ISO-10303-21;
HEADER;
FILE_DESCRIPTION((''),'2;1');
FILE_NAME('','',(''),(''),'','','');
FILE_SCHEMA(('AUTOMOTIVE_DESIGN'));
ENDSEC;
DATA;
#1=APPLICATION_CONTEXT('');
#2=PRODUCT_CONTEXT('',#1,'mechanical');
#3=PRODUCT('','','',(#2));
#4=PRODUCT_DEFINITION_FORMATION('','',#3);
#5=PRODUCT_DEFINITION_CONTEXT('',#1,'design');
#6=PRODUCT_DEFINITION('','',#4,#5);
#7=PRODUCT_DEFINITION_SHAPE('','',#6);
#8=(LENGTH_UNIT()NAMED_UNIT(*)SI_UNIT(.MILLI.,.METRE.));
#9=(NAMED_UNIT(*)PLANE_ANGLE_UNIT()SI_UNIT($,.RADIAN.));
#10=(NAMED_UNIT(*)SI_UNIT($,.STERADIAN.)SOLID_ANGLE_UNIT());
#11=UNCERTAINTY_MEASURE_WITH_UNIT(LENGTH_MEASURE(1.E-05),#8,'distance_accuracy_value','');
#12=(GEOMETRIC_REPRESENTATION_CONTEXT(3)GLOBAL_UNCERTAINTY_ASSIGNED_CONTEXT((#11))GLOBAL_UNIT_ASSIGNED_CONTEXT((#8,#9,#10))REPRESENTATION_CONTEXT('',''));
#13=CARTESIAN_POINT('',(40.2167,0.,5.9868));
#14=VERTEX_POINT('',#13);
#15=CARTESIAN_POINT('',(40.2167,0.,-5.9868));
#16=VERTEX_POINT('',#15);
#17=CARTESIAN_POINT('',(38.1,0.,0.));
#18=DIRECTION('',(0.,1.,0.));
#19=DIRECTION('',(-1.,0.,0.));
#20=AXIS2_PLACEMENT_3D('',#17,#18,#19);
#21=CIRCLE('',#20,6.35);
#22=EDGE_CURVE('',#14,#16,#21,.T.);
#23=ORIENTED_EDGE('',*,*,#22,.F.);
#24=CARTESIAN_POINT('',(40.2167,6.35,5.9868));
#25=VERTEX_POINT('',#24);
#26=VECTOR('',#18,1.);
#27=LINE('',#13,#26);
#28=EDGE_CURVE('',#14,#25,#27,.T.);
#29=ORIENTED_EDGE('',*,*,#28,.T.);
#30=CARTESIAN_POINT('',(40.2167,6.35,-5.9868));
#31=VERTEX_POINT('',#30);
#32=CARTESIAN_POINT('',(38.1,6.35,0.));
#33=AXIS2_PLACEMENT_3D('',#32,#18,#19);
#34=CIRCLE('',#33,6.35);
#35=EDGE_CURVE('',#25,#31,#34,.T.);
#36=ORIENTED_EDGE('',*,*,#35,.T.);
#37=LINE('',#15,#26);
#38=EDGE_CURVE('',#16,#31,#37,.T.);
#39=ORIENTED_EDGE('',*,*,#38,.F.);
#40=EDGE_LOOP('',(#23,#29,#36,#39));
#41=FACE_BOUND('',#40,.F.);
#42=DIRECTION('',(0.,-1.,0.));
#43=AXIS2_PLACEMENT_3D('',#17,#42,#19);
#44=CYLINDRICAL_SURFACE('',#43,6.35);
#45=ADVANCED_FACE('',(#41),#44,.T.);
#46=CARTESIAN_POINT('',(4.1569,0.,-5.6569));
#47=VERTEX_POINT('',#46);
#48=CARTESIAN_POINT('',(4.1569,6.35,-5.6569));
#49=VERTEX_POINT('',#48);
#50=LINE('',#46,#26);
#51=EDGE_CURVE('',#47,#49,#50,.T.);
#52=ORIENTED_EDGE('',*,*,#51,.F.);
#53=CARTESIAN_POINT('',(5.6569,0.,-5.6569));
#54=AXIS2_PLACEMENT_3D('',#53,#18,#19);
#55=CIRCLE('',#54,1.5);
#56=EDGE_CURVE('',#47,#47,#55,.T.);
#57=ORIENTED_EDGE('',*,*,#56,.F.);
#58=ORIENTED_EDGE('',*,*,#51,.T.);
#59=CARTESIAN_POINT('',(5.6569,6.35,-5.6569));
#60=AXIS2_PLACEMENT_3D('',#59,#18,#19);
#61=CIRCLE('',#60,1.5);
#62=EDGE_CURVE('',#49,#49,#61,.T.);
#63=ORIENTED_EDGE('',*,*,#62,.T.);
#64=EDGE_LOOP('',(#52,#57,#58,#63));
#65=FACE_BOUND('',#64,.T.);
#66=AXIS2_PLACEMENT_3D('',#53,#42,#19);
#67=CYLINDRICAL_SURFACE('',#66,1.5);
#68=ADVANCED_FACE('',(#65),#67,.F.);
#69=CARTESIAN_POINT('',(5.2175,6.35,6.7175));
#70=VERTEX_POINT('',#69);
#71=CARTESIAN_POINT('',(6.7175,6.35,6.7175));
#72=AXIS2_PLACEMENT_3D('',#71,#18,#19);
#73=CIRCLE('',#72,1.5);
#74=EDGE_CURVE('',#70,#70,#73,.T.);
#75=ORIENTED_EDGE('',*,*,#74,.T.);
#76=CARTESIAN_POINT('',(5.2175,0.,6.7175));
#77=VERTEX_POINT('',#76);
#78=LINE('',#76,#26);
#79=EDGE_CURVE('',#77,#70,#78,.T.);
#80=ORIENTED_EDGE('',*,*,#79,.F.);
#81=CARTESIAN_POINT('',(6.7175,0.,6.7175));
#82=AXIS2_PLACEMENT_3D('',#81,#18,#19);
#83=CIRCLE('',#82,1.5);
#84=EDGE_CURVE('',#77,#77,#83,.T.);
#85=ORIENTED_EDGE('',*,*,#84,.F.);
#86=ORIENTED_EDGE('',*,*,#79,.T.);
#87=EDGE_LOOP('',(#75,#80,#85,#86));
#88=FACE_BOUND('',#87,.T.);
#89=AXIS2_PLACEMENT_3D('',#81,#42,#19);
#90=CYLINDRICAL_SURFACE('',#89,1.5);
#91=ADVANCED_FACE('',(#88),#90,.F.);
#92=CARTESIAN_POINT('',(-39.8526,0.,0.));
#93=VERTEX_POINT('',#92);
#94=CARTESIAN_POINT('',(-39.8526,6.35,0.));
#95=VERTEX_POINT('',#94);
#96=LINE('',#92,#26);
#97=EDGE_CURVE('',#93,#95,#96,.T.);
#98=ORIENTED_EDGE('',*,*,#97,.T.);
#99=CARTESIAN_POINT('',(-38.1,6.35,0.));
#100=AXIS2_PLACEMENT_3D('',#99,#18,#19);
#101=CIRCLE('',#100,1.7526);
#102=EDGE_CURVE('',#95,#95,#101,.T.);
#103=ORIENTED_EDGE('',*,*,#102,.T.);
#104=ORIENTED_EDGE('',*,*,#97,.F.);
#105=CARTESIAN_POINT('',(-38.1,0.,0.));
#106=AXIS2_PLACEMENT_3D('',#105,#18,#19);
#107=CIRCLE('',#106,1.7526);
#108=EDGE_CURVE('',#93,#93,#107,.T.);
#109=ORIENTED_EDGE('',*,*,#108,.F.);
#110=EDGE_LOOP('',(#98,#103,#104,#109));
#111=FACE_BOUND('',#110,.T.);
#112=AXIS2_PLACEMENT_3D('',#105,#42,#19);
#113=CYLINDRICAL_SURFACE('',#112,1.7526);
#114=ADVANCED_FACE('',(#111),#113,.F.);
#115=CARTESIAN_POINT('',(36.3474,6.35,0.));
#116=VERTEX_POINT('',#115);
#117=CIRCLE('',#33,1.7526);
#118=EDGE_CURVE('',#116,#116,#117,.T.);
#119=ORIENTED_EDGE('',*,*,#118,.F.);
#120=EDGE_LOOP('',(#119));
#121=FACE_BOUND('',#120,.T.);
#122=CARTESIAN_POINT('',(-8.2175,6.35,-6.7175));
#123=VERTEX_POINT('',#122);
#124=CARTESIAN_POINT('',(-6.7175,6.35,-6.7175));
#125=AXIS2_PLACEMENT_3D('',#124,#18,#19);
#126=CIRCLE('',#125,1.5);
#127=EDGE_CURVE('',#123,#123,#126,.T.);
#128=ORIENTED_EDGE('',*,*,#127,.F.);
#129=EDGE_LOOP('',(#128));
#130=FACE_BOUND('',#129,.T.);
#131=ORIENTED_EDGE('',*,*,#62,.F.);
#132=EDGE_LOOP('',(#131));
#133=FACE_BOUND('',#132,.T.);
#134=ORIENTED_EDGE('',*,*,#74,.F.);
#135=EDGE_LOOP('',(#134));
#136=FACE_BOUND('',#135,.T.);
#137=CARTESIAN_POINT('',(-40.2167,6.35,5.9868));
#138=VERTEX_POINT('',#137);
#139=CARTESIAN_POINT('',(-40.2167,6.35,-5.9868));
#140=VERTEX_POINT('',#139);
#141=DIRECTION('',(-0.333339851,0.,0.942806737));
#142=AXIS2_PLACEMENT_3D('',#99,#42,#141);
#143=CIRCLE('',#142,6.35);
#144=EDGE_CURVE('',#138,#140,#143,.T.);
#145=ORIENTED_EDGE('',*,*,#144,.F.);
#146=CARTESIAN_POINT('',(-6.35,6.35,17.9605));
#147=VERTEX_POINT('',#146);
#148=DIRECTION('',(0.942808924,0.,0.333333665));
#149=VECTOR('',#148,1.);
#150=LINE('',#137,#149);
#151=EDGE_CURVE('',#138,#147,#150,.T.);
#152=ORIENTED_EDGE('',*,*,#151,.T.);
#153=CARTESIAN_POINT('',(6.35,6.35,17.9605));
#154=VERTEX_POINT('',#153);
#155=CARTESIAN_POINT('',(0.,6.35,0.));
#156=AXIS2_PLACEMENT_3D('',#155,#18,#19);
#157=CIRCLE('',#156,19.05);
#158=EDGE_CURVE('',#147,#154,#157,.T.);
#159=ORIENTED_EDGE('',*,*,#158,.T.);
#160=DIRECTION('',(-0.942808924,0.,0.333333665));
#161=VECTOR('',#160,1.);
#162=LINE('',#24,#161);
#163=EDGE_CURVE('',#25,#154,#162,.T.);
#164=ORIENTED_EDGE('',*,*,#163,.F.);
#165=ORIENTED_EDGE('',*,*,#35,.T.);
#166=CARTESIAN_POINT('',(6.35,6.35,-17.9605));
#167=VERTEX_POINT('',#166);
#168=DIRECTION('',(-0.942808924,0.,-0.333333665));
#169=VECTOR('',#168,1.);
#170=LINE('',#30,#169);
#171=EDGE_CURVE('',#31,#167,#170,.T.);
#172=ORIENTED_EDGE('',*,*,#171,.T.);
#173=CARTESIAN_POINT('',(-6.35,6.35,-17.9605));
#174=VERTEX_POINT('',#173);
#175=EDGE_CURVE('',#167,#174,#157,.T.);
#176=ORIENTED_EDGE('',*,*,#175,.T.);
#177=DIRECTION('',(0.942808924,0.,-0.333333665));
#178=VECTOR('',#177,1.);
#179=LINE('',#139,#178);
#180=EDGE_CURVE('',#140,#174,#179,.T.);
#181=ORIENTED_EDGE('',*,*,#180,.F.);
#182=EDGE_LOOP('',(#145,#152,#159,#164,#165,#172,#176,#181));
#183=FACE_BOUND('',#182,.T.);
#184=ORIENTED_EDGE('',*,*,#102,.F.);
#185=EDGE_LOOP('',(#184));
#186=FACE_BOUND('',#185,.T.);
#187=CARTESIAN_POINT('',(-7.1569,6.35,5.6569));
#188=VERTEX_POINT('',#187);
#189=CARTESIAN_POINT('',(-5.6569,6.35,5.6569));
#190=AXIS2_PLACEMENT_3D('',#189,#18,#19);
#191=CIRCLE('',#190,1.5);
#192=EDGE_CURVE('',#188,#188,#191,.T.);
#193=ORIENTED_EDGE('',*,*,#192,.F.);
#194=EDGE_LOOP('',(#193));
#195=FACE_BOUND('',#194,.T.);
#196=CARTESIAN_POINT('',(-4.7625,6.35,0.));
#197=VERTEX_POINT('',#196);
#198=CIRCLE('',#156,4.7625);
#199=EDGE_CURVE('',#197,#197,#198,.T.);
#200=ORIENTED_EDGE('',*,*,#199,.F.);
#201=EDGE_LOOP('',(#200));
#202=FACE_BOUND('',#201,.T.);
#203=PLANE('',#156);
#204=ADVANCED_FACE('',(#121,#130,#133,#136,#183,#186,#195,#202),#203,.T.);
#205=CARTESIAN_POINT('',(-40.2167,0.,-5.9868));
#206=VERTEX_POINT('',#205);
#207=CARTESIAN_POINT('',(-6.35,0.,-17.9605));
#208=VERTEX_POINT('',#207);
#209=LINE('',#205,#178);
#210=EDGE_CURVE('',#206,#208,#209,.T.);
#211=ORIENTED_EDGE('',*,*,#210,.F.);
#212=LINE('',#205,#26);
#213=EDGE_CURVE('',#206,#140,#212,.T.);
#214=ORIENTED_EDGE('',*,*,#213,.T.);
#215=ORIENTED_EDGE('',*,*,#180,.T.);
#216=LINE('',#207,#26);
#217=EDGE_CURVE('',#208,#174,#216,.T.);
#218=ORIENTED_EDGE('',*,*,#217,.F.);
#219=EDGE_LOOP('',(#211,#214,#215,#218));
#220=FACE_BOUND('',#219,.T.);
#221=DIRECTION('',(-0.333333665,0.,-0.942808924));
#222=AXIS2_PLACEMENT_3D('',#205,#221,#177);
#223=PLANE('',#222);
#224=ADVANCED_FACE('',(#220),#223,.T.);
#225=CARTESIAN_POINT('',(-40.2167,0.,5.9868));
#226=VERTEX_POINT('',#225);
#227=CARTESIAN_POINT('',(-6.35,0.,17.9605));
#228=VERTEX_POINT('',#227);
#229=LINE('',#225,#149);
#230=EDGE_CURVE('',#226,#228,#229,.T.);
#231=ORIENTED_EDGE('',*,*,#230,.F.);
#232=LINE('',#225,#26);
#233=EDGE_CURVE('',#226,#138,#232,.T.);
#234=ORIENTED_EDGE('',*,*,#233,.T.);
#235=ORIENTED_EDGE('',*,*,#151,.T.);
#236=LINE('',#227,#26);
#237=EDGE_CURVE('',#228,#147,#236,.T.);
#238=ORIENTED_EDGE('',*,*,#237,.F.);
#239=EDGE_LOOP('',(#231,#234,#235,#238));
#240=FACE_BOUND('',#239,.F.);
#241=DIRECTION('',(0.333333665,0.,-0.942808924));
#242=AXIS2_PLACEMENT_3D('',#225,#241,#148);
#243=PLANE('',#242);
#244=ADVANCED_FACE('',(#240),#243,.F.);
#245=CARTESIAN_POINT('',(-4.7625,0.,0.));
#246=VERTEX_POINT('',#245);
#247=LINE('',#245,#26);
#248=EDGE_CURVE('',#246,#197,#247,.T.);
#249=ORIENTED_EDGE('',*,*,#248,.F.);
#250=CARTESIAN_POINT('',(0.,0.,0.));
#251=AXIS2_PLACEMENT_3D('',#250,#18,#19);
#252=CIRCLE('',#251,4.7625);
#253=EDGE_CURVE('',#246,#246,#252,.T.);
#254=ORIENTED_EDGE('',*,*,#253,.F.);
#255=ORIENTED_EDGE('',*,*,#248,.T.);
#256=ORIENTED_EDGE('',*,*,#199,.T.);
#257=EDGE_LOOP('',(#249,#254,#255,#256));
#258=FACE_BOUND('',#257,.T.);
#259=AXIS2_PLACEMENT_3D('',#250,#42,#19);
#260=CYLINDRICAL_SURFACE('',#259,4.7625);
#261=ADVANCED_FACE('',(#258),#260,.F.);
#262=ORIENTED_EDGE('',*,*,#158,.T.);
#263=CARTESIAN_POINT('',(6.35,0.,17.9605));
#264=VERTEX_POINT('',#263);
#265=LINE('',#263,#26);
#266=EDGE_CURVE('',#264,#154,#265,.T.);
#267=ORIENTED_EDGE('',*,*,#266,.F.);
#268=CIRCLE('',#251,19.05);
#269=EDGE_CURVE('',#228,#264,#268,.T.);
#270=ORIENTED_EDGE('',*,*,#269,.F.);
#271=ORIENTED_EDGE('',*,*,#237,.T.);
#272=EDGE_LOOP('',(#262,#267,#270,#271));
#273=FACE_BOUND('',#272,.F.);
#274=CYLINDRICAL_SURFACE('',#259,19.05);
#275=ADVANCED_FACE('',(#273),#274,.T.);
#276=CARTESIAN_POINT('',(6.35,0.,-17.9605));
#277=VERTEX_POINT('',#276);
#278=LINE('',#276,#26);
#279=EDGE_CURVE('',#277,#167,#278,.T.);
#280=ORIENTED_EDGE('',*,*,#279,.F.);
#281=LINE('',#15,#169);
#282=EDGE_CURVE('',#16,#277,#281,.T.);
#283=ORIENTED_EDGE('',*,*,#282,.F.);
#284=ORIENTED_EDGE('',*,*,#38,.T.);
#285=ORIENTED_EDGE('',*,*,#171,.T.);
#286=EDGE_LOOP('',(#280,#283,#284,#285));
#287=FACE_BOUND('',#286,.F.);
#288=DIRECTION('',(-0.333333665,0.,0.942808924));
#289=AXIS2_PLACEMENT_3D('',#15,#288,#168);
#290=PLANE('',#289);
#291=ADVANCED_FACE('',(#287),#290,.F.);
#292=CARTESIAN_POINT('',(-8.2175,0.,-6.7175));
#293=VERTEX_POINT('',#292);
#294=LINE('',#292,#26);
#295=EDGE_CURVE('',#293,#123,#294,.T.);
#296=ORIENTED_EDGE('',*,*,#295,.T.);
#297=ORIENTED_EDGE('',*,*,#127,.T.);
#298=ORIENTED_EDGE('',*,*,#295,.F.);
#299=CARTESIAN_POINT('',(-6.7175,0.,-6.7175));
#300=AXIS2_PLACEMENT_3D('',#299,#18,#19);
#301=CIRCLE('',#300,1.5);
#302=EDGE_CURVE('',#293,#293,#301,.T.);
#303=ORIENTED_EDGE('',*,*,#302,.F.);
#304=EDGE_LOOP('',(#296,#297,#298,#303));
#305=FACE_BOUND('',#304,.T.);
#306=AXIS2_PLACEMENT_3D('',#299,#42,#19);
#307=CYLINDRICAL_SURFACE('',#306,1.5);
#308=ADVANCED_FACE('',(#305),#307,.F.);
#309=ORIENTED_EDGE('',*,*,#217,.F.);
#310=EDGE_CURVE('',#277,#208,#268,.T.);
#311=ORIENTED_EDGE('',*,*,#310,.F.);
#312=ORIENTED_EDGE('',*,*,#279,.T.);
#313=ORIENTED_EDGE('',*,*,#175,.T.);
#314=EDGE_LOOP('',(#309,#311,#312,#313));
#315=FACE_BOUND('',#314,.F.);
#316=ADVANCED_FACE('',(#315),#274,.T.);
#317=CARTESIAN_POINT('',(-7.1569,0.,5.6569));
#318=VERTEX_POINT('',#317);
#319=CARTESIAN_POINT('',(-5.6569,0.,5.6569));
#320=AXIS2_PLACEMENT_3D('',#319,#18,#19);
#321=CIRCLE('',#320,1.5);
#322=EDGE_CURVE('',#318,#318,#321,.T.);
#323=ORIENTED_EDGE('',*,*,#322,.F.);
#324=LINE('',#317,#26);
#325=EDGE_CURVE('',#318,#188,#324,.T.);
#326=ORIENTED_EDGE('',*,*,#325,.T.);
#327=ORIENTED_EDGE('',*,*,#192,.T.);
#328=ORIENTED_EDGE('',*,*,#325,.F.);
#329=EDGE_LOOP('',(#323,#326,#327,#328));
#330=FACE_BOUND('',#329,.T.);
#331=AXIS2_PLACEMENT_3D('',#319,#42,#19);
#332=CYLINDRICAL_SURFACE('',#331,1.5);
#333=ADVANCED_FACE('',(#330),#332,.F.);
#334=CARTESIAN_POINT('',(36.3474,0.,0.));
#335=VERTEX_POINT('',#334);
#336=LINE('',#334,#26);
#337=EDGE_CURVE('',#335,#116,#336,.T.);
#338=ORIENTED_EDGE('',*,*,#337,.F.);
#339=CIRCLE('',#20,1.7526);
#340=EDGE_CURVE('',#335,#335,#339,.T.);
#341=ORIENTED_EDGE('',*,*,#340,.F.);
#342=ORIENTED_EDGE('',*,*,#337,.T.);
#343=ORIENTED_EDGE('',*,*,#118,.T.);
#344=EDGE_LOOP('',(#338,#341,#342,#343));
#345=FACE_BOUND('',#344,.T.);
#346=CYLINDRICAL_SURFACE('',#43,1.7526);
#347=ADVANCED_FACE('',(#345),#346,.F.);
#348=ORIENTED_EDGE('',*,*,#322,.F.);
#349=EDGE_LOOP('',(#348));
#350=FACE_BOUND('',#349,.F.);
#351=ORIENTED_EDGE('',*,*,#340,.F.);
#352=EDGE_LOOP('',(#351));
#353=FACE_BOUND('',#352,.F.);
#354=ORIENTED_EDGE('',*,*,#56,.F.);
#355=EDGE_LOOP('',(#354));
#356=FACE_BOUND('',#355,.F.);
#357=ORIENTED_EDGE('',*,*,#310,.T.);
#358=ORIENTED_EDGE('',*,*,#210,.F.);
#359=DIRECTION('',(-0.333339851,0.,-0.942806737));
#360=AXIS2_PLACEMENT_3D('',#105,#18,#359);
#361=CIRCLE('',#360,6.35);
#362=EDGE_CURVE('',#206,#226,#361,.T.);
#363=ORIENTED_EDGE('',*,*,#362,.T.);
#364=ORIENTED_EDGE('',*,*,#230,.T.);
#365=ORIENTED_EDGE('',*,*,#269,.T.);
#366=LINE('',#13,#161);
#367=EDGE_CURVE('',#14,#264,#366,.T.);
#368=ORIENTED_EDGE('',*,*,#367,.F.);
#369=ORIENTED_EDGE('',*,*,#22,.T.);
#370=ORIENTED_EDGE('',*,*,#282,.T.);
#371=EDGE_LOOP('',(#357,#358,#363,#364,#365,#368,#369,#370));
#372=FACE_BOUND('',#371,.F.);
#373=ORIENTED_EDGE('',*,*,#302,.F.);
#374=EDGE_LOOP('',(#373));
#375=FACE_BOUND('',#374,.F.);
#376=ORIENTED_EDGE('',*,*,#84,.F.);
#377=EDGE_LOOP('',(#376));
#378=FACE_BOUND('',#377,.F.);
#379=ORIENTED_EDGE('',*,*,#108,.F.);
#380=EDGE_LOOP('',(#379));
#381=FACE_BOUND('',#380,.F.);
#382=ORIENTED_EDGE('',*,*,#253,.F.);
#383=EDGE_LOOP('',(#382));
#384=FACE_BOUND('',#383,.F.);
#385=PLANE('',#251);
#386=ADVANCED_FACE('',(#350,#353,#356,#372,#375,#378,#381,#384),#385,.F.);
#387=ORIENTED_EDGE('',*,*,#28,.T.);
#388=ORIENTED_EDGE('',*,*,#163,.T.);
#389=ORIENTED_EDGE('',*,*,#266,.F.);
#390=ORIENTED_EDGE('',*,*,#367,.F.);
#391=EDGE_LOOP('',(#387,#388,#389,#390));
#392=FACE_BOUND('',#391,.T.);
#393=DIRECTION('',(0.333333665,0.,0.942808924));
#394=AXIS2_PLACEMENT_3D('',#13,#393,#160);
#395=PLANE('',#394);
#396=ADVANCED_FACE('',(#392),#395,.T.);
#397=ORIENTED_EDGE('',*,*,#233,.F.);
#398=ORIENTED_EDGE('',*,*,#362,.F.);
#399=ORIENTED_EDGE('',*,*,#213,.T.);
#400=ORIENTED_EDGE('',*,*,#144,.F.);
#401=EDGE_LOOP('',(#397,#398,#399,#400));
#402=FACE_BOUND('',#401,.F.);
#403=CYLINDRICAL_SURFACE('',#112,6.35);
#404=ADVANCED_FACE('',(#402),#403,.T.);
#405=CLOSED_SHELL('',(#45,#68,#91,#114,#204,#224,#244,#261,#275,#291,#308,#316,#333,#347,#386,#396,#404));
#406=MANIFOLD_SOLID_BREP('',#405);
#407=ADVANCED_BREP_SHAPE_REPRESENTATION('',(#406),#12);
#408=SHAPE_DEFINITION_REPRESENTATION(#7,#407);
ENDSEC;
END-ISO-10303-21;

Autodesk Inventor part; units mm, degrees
ref_plane "YZ Plane" through (0, 0, 0) normal (1, 0, 0) x (0, 1, 0)
ref_plane "XZ Plane" through (0, 0, 0) normal (0, 1, 0) x (-1, 0, 0)
ref_plane "XY Plane" through (0, 0, 0) normal (0, 0, 1) x (1, 0, 0)
sketch "Sketch1" plane through (0, 0, 0) normal (0, 1, 0) x (-1, 0, 0)
  circle A0 centre (0, 0) radius 38.1 construction
  line L0 (38.1, 0) -> (0, 0) construction
  circle A1 centre (38.1, 0) radius 1.7526
  circle A2 centre (0, 0) radius 4.7625
  circle A3 centre (-38.1, 0) radius 1.7526
  circle A4 centre (0, 0) radius 9.5 construction
  circle A5 centre (0, 0) radius 8 construction
  line L1 (0, 0) -> (-6.7175, -6.7175) construction
  line L2 (0, 0) -> (6.7175, -6.7175) construction
  circle A6 centre (-5.6569, -5.6569) radius 1.5
  circle A7 centre (6.7175, -6.7175) radius 1.5
  circle A8 centre (-6.7175, 6.7175) radius 1.5
  circle A9 centre (5.6569, 5.6569) radius 1.5
  circle A10 centre (38.1, 0) radius 6.35
  circle A11 centre (-38.1, 0) radius 6.35
  circle A12 centre (0, 0) radius 19.05
  line L3 (40.2167, -5.9868) -> (6.35, -17.9605)
  line L4 (40.2167, 5.9868) -> (6.35, 17.9605)
  line L5 (-40.2167, -5.9868) -> (-6.35, -17.9605)
  line L6 (-40.2167, 5.9868) -> (-6.35, 17.9605)
  point P0 (-6.35, 17.9605)
  point P1 (-6.35, -17.9605)
  dimension "d0" = 76.2
  dimension "d8" = 16
  dimension "d16" = 12.7
  dimension "d21" = 38.1
  dimension "d1" = 3.5052
  dimension "d2" = 9.525
  dimension "d5" = 360
  dimension "d7" = 19
  dimension "d9" = 135
  dimension "d10" = 3
  dimension "d11" = 3
  dimension "d14" = 360
  dimension "d19" = 360
  dimension "d24" = 360
extrude "Extrusion1" add sketch "Sketch1" along normal blind 6.35
properties part number "Upright - Top" material "Aluminum 6061"
